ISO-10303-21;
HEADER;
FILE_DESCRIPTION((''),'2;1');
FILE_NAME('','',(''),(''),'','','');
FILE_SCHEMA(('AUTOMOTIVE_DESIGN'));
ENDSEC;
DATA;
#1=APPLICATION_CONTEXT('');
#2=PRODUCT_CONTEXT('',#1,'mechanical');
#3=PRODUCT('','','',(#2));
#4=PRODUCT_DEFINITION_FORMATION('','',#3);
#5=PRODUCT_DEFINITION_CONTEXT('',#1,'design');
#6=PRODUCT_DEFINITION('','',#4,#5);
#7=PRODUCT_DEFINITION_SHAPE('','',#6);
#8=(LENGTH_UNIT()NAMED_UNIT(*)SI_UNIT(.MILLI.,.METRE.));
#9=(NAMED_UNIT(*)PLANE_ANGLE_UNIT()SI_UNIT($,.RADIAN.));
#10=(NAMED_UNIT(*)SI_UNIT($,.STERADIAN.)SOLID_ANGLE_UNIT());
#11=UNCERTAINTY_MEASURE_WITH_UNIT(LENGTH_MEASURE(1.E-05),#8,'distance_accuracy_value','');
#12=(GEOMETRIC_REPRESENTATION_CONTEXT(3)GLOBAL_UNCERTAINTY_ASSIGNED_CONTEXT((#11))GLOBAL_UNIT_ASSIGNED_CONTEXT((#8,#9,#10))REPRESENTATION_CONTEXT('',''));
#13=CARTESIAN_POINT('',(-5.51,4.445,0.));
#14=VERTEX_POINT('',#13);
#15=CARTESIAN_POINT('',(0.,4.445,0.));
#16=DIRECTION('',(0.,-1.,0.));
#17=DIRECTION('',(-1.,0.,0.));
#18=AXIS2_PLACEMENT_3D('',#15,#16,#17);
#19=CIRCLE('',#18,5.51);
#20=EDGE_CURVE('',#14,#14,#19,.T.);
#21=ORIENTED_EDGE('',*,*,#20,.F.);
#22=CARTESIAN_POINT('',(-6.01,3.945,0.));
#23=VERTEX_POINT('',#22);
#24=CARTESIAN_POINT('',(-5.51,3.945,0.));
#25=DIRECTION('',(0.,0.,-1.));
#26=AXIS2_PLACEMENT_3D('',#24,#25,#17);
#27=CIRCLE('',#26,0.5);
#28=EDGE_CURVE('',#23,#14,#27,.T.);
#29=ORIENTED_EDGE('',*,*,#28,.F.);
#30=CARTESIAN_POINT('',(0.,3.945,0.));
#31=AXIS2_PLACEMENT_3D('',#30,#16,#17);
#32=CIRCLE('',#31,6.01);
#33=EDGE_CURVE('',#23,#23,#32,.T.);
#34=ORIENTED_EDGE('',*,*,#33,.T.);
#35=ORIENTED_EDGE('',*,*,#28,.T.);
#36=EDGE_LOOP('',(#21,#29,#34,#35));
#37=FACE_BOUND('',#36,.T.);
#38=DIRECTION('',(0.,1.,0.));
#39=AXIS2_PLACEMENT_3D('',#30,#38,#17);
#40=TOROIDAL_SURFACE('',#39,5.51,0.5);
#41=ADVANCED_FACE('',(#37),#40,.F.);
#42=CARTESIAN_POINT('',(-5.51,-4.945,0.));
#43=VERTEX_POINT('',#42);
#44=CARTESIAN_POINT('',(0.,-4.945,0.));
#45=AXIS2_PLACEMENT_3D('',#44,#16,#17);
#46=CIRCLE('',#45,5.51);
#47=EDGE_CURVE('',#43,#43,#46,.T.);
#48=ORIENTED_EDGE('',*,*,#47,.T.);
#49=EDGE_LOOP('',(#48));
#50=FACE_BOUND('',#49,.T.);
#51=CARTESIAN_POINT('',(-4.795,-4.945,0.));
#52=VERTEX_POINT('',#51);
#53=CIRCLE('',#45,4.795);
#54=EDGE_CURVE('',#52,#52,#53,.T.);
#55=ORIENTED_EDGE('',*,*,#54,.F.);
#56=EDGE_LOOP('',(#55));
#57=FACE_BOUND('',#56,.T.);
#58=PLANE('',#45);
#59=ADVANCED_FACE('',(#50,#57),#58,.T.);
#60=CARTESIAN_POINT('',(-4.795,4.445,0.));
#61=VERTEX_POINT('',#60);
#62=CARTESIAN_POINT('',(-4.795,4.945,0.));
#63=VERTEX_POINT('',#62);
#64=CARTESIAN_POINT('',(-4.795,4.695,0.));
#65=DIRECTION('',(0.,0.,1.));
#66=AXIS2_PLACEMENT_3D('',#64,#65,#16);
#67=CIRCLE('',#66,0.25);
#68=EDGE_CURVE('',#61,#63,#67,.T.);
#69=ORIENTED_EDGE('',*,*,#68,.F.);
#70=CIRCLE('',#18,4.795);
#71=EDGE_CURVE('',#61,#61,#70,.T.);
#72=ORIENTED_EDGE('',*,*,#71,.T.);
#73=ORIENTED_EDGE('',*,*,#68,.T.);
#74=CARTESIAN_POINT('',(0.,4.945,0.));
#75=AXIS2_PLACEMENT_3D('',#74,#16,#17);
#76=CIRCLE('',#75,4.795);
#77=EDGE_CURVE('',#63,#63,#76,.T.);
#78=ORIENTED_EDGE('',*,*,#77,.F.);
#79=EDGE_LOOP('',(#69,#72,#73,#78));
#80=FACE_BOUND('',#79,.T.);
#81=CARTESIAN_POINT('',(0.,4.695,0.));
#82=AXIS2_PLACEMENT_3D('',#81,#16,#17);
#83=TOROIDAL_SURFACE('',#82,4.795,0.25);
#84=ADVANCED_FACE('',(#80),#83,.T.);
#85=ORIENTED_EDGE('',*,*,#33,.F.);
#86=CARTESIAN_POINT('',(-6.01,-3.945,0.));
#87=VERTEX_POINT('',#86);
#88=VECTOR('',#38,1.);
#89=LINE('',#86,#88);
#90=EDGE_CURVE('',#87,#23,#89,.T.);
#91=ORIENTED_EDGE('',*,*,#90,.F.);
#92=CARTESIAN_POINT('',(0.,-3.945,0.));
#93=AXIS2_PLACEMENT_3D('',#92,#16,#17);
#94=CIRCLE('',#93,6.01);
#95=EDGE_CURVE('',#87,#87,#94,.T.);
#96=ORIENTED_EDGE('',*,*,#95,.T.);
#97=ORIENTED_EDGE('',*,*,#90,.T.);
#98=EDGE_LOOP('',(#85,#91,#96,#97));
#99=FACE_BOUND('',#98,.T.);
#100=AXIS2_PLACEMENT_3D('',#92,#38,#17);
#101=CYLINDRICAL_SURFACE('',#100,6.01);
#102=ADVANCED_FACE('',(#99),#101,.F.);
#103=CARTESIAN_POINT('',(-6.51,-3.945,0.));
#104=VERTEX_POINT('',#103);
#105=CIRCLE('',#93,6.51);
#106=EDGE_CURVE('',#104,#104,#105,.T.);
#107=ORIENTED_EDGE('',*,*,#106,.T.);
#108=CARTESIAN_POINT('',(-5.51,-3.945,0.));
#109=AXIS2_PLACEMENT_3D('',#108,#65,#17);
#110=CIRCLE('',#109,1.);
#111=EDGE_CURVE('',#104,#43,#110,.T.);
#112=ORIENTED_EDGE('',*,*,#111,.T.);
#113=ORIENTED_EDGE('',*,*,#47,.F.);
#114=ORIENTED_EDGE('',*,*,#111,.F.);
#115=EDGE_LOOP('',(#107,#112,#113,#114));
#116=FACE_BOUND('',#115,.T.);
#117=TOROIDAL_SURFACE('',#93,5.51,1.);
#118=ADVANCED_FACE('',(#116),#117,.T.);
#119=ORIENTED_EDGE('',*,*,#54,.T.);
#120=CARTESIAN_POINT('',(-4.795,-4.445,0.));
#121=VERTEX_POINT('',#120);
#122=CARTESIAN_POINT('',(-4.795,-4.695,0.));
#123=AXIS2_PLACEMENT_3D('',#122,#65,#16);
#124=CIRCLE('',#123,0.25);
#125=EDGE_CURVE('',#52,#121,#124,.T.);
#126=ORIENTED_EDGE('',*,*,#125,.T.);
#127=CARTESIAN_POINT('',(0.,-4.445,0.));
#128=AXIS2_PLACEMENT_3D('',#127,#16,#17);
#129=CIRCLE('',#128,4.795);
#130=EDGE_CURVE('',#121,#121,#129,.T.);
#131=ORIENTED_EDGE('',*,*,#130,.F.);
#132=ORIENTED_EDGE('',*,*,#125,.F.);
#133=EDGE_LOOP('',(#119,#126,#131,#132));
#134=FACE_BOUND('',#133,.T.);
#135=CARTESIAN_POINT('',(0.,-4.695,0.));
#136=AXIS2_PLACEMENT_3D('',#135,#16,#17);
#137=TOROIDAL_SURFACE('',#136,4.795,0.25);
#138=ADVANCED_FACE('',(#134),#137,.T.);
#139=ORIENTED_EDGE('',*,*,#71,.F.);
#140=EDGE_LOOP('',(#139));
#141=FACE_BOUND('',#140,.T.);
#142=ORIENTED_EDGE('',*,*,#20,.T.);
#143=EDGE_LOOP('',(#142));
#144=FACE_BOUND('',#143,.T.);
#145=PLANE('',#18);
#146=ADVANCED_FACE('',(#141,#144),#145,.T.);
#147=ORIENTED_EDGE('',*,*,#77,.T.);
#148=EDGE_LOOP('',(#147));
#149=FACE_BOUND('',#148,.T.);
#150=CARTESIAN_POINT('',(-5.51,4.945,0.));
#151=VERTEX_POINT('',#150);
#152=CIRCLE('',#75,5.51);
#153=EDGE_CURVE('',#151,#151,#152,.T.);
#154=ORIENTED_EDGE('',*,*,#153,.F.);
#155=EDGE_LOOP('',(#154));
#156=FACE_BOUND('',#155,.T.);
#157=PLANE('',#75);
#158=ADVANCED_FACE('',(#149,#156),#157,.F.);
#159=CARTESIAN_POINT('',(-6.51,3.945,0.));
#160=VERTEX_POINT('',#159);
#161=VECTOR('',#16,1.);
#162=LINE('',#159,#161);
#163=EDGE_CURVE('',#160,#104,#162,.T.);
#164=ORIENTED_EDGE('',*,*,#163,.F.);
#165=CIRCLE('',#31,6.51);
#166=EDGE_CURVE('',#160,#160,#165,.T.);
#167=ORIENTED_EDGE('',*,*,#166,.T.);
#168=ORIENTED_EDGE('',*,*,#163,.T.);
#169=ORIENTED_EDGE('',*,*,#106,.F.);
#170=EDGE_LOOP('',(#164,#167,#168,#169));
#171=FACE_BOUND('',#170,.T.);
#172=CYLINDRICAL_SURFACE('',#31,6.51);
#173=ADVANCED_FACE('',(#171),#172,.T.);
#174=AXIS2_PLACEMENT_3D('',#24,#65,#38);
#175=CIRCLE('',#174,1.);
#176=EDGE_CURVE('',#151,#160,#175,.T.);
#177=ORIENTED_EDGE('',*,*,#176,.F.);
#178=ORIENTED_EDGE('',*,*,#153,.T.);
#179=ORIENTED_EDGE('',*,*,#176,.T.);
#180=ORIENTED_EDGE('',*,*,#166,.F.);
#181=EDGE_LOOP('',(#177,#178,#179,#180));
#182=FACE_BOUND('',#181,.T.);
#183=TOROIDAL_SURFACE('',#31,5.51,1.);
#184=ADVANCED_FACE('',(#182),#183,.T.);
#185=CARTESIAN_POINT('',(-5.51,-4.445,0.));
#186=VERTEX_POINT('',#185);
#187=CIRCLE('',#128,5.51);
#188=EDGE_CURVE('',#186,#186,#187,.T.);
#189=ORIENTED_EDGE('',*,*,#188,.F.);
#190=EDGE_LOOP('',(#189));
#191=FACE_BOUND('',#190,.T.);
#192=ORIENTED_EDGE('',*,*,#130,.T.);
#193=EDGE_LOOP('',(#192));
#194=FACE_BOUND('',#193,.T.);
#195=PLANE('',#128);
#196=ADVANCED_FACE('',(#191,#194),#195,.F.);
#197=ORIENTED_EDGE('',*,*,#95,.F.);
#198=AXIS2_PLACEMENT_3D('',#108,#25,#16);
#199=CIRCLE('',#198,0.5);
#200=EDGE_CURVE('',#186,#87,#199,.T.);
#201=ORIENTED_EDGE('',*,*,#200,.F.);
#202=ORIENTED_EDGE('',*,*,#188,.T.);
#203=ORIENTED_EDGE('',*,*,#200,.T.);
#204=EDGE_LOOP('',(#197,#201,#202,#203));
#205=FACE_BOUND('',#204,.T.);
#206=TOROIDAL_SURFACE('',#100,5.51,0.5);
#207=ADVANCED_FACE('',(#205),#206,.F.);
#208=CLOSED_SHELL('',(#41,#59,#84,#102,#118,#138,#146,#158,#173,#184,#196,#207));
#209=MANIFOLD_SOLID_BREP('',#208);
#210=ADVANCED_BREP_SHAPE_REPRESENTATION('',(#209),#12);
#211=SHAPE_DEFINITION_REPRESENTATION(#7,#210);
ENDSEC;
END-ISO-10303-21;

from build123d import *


with BuildPart() as f1:
    # F0 (on Top) → F1 (revolve)
    with BuildSketch(Plane.XY):
        with BuildLine():
            ThreePointArc((-5.51, 4.945), (-6.2171067812, 4.6521067812), (-6.51, 3.945))
            Line((-6.51, 3.945), (-6.51, 0))
            Line((-6.51, 0), (-6.51, -3.945))
            ThreePointArc((-6.51, -3.945), (-6.2171067812, -4.6521067812), (-5.51, -4.945))
            Line((-5.51, -4.945), (-4.795, -4.945))
            ThreePointArc((-4.795, -4.945), (-4.545, -4.695), (-4.795, -4.445))
            Line((-4.795, -4.445), (-5.51, -4.445))
            ThreePointArc((-5.51, -4.445), (-5.8635533906, -4.2985533906), (-6.01, -3.945))
            Line((-6.01, -3.945), (-6.01, 0))
            Line((-6.01, 0), (-6.01, 3.945))
            ThreePointArc((-6.01, 3.945), (-5.8635533906, 4.2985533906), (-5.51, 4.445))
            Line((-5.51, 4.445), (-4.795, 4.445))
            ThreePointArc((-4.795, 4.445), (-4.545, 4.695), (-4.795, 4.945))
            Line((-4.795, 4.945), (-5.51, 4.945))
        make_face()
    revolve(axis=Axis((0, 1.2051877566, 0), (0, -1, 0)))


solid = f1.part
